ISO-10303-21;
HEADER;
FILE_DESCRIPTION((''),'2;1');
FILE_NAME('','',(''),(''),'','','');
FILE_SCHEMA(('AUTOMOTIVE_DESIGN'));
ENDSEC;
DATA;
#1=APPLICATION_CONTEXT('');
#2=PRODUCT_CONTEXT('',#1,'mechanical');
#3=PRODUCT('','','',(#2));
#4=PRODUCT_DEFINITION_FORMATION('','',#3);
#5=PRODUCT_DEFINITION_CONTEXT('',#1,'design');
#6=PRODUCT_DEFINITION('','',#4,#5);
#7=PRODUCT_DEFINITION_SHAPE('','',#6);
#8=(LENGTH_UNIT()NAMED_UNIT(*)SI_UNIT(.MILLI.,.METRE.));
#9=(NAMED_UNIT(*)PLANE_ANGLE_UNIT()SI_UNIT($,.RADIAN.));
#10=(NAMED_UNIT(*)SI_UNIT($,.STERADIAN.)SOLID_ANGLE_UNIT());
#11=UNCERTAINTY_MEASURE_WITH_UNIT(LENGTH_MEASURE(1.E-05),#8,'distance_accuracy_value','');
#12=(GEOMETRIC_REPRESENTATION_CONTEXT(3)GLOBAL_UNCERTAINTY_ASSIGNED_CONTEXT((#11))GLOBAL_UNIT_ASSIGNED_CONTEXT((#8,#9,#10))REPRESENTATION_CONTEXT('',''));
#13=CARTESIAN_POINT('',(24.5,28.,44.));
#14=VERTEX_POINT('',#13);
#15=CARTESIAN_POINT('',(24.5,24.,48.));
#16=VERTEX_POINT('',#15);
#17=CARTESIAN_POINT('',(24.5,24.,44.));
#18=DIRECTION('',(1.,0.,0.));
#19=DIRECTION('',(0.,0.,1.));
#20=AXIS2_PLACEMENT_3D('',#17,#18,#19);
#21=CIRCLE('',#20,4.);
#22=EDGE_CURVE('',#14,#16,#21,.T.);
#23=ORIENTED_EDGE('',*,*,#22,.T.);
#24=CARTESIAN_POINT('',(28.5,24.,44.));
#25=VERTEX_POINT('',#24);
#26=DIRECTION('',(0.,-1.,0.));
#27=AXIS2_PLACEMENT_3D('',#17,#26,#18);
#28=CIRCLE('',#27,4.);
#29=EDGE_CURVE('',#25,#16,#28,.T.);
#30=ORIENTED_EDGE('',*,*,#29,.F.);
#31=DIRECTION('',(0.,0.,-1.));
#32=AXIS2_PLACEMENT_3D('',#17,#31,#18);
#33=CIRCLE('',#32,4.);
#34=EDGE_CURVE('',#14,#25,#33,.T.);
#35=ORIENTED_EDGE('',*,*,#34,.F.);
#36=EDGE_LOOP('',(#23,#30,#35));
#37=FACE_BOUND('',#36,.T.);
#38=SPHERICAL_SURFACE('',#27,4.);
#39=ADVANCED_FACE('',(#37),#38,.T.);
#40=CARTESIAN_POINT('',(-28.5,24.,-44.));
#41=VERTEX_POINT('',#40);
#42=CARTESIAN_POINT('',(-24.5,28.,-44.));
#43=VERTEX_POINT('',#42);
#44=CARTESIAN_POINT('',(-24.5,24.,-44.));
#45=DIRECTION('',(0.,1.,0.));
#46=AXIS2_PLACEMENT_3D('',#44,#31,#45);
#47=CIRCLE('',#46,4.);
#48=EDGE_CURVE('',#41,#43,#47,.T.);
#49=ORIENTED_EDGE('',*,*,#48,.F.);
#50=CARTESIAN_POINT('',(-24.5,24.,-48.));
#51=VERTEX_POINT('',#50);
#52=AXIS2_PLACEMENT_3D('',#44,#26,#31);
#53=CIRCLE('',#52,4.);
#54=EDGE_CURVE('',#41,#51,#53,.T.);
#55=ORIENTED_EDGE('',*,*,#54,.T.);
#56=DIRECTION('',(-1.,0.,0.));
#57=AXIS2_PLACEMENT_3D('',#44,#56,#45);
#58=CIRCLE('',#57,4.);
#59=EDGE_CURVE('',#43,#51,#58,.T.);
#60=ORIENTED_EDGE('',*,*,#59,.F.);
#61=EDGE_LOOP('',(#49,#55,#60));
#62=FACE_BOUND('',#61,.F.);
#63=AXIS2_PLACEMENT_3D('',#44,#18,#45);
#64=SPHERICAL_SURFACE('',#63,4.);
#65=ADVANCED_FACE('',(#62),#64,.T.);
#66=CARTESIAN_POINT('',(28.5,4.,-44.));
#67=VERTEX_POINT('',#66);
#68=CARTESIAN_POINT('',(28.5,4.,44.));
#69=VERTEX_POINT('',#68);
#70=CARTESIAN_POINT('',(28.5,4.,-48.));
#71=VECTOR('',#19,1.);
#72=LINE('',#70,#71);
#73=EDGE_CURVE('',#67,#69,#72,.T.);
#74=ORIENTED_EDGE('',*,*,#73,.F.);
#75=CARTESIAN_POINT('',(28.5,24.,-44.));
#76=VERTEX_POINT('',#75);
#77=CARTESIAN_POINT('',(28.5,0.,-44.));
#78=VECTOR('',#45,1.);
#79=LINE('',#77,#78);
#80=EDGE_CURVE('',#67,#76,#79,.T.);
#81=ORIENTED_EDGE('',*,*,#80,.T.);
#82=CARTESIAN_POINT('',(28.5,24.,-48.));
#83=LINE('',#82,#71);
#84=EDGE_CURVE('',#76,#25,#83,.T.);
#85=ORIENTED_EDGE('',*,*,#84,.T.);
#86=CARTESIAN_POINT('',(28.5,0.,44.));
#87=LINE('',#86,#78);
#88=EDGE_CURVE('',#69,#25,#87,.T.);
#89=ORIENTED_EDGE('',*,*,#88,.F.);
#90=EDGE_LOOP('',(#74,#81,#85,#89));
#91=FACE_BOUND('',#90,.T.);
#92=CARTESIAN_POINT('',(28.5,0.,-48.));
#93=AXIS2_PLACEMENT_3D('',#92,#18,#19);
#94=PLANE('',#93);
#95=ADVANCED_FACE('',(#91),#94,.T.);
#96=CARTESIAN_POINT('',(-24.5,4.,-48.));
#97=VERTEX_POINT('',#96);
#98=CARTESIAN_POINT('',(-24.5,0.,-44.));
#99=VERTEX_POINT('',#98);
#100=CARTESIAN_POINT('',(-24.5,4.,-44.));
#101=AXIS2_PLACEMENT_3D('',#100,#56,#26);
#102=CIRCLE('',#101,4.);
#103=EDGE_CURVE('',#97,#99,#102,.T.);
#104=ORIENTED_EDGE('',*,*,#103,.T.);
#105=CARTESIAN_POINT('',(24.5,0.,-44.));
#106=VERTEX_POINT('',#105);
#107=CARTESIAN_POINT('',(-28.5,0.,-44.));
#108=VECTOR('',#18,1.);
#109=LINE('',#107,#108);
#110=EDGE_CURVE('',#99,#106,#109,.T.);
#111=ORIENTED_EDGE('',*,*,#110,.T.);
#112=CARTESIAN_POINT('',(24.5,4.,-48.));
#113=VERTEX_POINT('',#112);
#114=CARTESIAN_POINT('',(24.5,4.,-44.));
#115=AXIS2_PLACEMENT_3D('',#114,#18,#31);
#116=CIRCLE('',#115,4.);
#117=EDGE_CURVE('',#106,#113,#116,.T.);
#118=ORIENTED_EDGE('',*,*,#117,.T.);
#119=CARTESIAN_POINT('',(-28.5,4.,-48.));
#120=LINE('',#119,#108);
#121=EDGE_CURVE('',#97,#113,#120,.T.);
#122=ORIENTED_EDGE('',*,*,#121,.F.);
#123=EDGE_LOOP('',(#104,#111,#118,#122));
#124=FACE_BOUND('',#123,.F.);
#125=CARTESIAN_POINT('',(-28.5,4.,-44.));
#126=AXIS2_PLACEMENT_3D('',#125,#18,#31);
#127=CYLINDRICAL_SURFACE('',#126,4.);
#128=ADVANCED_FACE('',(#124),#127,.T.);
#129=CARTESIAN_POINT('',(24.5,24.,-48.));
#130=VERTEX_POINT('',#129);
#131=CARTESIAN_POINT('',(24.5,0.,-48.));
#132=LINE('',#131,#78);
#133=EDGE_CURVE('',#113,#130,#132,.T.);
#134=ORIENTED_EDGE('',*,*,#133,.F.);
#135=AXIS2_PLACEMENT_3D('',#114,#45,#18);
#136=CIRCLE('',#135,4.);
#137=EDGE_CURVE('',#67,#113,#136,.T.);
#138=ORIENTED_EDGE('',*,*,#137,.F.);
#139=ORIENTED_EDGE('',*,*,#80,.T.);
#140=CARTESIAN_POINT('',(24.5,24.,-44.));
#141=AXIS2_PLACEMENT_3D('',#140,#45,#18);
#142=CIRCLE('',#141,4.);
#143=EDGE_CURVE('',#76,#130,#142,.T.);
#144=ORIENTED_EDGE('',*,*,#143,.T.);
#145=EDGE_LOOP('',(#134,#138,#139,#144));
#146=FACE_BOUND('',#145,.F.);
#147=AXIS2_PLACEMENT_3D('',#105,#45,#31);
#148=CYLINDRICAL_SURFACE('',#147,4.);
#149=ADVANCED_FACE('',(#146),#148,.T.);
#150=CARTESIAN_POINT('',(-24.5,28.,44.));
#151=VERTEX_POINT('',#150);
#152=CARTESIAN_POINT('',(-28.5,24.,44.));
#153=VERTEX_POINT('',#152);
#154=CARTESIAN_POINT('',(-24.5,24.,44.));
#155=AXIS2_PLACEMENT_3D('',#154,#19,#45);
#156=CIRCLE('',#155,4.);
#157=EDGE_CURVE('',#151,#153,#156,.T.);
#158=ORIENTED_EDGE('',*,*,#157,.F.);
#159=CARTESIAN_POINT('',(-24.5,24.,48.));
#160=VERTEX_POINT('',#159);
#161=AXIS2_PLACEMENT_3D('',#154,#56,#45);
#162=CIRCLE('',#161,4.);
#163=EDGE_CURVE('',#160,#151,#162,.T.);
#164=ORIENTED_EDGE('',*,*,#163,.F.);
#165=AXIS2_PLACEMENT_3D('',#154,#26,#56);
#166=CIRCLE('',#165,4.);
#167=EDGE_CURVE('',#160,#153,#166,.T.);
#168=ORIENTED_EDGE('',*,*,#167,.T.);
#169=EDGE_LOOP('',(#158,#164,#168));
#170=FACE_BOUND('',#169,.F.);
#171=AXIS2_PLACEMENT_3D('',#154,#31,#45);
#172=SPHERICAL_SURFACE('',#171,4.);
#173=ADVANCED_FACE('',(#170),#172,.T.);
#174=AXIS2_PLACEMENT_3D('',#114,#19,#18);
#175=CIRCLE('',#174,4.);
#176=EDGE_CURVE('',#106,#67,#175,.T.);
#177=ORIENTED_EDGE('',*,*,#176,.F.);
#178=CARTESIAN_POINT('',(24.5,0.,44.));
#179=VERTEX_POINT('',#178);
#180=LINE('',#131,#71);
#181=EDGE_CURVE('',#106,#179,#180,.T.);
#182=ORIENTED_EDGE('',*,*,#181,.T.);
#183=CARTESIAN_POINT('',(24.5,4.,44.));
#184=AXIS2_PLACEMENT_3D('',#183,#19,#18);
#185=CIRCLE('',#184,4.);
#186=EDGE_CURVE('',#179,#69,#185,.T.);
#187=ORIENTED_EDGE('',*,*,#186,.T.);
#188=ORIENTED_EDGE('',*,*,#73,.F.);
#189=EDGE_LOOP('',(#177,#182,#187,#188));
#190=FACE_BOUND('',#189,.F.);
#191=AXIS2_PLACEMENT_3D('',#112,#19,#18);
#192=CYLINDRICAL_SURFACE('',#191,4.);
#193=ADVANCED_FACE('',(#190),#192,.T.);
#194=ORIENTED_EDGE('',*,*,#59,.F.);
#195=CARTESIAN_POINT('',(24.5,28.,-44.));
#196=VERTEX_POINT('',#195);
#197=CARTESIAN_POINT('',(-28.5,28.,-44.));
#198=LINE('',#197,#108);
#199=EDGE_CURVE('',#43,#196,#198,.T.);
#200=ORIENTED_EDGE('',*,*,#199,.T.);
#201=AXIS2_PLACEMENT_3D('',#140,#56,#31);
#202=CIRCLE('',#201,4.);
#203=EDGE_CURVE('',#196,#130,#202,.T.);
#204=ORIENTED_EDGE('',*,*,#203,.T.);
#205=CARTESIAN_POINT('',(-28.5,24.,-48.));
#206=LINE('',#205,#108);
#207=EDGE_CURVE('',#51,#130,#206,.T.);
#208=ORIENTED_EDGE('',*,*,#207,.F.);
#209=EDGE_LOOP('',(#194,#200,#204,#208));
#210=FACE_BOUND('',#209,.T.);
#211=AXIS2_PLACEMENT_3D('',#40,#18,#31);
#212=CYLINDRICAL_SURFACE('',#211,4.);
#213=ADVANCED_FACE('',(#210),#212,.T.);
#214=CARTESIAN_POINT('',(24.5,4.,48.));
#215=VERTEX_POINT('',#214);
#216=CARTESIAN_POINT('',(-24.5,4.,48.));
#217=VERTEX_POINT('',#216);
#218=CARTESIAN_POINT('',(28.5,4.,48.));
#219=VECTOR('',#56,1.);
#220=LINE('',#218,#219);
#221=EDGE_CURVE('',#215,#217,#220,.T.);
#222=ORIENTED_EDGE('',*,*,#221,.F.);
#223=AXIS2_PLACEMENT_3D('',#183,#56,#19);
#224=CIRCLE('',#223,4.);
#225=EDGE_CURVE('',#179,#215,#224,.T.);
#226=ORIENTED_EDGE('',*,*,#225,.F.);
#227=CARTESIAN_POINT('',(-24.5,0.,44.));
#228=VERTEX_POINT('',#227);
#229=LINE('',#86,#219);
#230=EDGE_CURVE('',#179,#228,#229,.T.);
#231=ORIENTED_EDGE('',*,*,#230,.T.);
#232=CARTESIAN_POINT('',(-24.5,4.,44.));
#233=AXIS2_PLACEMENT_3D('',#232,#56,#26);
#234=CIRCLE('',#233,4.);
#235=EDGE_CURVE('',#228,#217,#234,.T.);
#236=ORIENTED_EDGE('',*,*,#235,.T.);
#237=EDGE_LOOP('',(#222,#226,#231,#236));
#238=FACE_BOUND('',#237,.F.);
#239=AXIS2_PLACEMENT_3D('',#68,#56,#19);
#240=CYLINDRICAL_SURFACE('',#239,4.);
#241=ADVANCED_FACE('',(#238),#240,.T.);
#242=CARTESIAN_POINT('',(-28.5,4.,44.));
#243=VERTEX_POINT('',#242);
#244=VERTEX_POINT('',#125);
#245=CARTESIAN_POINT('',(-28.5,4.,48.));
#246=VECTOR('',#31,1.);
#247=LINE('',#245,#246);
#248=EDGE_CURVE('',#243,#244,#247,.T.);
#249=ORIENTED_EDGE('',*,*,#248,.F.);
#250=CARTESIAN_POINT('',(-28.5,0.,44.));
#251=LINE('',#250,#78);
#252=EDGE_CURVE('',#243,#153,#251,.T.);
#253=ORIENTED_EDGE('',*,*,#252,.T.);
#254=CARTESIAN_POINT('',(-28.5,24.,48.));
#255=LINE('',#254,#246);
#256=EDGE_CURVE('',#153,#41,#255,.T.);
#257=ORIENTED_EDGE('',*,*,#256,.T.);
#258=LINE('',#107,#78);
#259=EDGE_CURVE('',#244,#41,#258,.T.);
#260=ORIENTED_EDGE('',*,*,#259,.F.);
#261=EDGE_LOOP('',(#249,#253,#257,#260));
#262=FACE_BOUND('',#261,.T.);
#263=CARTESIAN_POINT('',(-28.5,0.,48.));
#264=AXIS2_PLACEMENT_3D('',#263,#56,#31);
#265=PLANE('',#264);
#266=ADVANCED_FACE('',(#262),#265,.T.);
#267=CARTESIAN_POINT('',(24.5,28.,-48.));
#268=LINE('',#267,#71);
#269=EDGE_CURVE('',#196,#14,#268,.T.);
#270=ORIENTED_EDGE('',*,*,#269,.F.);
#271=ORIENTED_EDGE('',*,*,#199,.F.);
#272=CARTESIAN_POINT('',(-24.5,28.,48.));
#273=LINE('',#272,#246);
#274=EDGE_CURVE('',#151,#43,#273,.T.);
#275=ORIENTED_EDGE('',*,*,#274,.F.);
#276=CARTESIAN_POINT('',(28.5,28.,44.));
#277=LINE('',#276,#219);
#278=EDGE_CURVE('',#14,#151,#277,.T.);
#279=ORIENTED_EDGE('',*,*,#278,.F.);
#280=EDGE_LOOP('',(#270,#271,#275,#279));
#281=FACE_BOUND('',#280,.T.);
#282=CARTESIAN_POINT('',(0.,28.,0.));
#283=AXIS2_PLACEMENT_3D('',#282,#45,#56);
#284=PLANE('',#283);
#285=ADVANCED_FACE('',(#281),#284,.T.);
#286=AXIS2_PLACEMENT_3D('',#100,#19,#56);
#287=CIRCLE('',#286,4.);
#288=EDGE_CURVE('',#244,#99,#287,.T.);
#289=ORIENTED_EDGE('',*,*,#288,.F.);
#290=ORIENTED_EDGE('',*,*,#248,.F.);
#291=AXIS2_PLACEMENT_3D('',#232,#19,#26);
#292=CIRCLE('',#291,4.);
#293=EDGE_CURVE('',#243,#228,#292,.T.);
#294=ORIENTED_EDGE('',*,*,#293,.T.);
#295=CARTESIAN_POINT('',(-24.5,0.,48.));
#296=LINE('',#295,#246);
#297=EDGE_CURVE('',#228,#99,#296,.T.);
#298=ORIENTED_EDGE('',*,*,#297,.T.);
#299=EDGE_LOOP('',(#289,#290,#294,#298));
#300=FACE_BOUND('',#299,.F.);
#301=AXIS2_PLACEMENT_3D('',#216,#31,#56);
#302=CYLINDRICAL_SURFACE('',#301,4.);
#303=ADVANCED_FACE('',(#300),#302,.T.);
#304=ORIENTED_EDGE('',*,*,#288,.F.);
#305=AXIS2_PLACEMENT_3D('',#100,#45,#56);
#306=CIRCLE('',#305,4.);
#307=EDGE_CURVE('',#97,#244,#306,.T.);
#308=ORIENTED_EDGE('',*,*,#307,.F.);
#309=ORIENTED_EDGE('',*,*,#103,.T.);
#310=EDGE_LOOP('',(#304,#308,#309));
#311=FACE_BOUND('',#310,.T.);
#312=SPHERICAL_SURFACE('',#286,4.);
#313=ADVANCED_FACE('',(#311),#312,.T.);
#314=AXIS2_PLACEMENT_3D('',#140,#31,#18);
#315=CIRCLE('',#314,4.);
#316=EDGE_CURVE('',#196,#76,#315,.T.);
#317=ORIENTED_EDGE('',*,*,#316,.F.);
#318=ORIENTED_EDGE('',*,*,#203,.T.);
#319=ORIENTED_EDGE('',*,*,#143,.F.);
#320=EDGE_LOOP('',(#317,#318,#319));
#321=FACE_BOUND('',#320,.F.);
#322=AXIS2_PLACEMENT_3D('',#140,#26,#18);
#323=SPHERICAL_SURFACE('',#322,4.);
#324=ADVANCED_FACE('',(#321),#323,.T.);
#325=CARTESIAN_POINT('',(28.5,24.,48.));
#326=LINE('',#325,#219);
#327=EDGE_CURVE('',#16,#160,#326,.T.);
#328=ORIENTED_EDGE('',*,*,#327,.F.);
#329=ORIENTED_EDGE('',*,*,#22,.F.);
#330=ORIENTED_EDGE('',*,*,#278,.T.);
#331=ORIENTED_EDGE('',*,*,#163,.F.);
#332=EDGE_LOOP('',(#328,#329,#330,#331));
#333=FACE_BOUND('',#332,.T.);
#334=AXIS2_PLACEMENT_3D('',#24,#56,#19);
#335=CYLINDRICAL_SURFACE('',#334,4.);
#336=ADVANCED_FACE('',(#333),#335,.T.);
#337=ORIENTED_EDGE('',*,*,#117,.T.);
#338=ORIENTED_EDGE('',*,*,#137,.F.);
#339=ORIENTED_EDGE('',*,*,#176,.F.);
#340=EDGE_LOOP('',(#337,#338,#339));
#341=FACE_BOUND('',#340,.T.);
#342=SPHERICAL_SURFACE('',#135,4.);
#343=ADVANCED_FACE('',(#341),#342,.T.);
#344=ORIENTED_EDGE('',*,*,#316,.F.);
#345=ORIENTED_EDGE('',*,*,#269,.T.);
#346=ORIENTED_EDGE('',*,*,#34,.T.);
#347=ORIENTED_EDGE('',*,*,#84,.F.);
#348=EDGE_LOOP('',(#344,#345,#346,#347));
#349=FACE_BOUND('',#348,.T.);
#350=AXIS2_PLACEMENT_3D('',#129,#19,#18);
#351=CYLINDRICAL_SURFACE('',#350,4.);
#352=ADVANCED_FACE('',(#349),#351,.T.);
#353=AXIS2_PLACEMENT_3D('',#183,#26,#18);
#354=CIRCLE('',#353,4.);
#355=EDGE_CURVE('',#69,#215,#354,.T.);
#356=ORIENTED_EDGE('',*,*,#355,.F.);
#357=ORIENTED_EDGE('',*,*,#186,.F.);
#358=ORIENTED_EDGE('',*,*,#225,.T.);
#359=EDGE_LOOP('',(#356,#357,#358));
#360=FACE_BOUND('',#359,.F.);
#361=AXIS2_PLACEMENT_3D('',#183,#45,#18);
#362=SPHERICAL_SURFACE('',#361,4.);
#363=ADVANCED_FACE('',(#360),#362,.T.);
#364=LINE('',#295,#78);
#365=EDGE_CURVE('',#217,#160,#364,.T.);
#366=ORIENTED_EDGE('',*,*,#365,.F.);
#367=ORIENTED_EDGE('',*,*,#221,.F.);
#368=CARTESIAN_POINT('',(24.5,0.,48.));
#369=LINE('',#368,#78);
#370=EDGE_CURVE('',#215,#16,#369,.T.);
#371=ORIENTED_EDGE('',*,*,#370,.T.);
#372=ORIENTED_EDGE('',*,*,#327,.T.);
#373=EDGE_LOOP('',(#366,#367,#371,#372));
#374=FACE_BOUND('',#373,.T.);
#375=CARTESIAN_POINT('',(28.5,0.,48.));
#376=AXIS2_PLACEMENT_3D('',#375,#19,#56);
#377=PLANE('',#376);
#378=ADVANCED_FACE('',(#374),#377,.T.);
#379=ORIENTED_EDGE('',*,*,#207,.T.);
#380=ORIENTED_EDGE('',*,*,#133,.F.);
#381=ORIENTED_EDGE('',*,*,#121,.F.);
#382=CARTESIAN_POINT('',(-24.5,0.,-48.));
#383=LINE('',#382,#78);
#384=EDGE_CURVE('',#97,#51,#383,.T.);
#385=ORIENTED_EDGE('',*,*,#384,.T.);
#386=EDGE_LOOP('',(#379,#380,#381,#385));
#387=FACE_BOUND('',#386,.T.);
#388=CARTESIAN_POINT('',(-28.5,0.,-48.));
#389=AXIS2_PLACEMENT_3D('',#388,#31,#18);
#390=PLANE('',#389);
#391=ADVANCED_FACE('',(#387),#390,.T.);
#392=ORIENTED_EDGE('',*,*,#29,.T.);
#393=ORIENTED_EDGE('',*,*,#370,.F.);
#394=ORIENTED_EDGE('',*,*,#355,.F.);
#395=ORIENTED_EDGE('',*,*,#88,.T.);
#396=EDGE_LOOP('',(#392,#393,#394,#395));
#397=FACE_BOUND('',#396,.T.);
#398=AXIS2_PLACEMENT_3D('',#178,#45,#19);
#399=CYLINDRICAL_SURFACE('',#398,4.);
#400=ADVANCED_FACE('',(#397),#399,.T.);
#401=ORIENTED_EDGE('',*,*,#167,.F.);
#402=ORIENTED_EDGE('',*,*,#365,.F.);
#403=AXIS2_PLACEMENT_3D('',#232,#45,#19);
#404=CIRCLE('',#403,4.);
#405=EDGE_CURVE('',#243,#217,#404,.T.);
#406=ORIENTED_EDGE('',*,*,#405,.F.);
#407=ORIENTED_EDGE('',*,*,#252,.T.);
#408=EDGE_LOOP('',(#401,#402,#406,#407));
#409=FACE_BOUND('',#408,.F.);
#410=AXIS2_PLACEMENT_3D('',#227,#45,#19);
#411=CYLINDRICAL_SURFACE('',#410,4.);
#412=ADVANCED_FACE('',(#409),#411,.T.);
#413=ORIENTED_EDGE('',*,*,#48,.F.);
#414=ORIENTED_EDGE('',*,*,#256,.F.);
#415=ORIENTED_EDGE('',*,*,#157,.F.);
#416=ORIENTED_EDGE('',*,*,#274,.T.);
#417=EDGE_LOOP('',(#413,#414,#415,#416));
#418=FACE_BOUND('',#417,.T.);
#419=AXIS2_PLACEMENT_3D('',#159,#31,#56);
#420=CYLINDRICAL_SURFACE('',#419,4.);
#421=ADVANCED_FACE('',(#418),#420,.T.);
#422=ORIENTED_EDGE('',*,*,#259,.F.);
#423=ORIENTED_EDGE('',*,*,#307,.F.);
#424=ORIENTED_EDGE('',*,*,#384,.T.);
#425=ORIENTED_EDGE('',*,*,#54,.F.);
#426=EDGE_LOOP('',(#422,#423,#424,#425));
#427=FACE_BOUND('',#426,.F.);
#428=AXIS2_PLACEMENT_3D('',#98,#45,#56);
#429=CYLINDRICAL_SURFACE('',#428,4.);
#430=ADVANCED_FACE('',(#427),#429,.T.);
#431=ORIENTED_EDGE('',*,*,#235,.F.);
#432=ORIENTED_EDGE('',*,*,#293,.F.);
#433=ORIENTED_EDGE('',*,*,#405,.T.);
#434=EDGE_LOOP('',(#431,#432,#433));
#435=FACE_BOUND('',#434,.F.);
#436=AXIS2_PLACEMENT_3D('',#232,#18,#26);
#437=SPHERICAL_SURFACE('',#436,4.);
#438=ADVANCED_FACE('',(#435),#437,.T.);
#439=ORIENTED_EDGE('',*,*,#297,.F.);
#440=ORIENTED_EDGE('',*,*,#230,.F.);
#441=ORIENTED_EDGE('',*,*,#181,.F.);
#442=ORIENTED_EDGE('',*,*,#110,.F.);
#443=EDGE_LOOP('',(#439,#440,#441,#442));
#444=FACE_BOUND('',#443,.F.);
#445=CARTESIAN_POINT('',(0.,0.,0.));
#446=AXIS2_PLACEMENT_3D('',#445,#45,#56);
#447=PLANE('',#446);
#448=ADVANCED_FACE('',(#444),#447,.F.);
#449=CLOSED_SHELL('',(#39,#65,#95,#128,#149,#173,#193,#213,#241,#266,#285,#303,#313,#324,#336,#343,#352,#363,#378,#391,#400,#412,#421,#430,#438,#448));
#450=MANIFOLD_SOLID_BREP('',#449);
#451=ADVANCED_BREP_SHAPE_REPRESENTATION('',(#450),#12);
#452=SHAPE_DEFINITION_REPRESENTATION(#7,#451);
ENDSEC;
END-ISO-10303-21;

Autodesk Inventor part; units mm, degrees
ref_plane "YZ Plane" through (0, 0, 0) normal (1, 0, 0) x (0, 1, 0)
ref_plane "XZ Plane" through (0, 0, 0) normal (0, 1, 0) x (-1, 0, 0)
ref_plane "XY Plane" through (0, 0, 0) normal (0, 0, 1) x (1, 0, 0)
sketch "Sketch1" plane through (0, 0, 0) normal (0, 1, 0) x (-1, 0, 0)
  line L0 (-28.5, 48) -> (28.5, 48)
  line L1 (28.5, 48) -> (28.5, -48)
  line L2 (28.5, -48) -> (-28.5, -48)
  line L3 (-28.5, -48) -> (-28.5, 48)
  line L4 (-28.5, 48) -> (28.5, -48) construction
  line L5 (28.5, 48) -> (-28.5, -48) construction
  point P0 (0, 0)
  dimension "d0" = 57
  dimension "d1" = 96
extrude "Extrusion1" add sketch "Sketch1" along normal blind 28
fillet "Fillet1" radius 4 12 edges at (28.5, 14, 48) (28.5, 14, -48) (28.5, 28, 0) (28.5, 0, 0) (0, 28, -48) (-28.5, 28, 0) (0, 28, 48) (0, 0, 48) (-28.5, 0, 0) (-28.5, 14, 48) (-28.5, 14, -48) (0, 0, -48)
properties part number "Driver"
